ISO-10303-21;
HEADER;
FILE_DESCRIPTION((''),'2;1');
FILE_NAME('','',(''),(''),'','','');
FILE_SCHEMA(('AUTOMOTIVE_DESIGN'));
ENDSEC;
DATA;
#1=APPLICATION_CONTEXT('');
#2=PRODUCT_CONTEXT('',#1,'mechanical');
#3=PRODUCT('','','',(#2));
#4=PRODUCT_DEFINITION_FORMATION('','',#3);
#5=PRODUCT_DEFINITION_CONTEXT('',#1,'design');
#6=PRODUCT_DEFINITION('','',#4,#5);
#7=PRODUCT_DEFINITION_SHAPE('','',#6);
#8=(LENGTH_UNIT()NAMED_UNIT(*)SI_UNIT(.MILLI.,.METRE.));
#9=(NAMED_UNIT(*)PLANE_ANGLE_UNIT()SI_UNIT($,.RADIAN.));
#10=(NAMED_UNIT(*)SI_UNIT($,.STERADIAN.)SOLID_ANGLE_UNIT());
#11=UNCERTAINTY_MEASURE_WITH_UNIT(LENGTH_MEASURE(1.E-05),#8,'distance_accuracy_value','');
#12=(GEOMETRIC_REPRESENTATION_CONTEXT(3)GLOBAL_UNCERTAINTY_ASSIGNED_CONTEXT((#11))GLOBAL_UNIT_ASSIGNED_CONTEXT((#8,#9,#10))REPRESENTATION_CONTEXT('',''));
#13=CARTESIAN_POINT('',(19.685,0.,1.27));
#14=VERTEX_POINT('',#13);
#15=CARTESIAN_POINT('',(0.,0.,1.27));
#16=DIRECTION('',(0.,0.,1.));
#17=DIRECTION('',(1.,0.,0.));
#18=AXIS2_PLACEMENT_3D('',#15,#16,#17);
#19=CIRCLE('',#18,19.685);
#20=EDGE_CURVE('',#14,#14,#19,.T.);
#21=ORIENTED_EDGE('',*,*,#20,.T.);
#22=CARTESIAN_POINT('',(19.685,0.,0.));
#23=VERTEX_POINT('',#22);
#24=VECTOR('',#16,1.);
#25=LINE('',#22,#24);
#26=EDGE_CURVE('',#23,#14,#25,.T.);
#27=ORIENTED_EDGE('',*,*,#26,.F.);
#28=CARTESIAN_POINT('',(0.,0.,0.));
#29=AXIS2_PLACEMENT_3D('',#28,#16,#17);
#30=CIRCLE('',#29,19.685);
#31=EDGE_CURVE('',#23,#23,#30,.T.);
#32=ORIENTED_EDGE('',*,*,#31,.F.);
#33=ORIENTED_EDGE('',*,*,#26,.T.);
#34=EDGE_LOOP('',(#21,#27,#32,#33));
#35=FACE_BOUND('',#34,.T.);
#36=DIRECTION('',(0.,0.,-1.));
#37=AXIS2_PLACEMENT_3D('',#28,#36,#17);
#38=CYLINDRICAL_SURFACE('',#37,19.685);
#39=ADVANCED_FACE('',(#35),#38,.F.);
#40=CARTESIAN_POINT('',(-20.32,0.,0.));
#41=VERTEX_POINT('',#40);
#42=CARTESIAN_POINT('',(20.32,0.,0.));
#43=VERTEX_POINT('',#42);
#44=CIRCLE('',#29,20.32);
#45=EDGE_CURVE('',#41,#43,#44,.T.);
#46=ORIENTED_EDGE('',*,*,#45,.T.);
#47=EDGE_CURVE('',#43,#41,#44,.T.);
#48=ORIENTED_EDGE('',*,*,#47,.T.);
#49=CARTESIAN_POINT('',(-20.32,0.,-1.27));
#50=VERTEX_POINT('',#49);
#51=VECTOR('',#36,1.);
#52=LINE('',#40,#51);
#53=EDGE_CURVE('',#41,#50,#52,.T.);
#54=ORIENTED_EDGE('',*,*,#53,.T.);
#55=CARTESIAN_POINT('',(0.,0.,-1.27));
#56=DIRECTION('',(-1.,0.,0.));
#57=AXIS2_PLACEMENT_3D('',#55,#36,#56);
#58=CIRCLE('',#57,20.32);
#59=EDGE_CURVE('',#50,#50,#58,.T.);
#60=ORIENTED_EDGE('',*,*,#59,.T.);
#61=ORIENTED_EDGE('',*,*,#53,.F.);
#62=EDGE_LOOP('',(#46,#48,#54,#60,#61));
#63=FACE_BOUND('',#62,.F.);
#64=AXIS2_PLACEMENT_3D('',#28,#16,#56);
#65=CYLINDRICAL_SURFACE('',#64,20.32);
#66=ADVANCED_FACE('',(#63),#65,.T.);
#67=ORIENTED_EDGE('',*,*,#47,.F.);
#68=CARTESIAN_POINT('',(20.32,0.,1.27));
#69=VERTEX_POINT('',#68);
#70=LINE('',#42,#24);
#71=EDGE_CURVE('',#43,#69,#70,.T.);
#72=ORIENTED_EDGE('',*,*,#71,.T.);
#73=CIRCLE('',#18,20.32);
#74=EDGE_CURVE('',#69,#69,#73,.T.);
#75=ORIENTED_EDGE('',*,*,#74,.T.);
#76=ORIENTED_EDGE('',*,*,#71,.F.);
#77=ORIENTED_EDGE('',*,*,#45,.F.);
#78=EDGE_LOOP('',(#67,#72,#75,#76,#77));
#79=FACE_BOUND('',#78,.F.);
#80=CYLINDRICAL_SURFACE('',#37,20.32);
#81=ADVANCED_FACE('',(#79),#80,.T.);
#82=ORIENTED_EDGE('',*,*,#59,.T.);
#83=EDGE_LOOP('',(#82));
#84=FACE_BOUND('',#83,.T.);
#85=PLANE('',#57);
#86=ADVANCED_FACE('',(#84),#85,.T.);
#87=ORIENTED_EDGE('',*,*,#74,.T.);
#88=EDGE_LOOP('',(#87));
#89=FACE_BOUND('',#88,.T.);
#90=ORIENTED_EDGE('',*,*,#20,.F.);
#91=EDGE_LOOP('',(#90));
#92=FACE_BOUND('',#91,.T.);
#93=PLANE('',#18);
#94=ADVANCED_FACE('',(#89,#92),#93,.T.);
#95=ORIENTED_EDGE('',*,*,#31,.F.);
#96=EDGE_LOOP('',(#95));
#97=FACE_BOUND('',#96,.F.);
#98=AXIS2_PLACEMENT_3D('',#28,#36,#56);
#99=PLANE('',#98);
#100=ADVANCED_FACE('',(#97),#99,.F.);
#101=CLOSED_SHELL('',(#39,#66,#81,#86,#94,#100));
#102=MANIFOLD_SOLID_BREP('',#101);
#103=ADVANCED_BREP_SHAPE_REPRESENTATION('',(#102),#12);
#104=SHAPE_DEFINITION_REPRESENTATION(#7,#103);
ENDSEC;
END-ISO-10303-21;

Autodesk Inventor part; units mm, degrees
ref_plane "YZ Plane" through (0, 0, 0) normal (1, 0, 0) x (0, 1, 0)
ref_plane "XZ Plane" through (0, 0, 0) normal (0, 1, 0) x (-1, 0, 0)
ref_plane "XY Plane" through (0, 0, 0) normal (0, 0, 1) x (1, 0, 0)
sketch "Sketch1" plane through (0, 0, 0) normal (0, 0, 1) x (1, 0, 0)
  circle A0 centre (0, 0) radius 20.32
  circle A1 centre (0, 0) radius 19.685
  dimension "d0" = 0
  dimension "d1" = 0
  dimension "d2" = 40.64
  dimension "d3" = 39.37
extrude "Extrusion1" add sketch "Sketch1" along normal blind 1.27
sketch "Sketch2" plane through (0, 0, 0) normal (0, 0, -1) x (-1, 0, 0)
  circle A0 centre (0, 0) radius 20.32 projected
extrude "Extrusion2" add sketch "Sketch2" along normal blind 1.27
properties part number "PSI Gauge Cap 1764"
